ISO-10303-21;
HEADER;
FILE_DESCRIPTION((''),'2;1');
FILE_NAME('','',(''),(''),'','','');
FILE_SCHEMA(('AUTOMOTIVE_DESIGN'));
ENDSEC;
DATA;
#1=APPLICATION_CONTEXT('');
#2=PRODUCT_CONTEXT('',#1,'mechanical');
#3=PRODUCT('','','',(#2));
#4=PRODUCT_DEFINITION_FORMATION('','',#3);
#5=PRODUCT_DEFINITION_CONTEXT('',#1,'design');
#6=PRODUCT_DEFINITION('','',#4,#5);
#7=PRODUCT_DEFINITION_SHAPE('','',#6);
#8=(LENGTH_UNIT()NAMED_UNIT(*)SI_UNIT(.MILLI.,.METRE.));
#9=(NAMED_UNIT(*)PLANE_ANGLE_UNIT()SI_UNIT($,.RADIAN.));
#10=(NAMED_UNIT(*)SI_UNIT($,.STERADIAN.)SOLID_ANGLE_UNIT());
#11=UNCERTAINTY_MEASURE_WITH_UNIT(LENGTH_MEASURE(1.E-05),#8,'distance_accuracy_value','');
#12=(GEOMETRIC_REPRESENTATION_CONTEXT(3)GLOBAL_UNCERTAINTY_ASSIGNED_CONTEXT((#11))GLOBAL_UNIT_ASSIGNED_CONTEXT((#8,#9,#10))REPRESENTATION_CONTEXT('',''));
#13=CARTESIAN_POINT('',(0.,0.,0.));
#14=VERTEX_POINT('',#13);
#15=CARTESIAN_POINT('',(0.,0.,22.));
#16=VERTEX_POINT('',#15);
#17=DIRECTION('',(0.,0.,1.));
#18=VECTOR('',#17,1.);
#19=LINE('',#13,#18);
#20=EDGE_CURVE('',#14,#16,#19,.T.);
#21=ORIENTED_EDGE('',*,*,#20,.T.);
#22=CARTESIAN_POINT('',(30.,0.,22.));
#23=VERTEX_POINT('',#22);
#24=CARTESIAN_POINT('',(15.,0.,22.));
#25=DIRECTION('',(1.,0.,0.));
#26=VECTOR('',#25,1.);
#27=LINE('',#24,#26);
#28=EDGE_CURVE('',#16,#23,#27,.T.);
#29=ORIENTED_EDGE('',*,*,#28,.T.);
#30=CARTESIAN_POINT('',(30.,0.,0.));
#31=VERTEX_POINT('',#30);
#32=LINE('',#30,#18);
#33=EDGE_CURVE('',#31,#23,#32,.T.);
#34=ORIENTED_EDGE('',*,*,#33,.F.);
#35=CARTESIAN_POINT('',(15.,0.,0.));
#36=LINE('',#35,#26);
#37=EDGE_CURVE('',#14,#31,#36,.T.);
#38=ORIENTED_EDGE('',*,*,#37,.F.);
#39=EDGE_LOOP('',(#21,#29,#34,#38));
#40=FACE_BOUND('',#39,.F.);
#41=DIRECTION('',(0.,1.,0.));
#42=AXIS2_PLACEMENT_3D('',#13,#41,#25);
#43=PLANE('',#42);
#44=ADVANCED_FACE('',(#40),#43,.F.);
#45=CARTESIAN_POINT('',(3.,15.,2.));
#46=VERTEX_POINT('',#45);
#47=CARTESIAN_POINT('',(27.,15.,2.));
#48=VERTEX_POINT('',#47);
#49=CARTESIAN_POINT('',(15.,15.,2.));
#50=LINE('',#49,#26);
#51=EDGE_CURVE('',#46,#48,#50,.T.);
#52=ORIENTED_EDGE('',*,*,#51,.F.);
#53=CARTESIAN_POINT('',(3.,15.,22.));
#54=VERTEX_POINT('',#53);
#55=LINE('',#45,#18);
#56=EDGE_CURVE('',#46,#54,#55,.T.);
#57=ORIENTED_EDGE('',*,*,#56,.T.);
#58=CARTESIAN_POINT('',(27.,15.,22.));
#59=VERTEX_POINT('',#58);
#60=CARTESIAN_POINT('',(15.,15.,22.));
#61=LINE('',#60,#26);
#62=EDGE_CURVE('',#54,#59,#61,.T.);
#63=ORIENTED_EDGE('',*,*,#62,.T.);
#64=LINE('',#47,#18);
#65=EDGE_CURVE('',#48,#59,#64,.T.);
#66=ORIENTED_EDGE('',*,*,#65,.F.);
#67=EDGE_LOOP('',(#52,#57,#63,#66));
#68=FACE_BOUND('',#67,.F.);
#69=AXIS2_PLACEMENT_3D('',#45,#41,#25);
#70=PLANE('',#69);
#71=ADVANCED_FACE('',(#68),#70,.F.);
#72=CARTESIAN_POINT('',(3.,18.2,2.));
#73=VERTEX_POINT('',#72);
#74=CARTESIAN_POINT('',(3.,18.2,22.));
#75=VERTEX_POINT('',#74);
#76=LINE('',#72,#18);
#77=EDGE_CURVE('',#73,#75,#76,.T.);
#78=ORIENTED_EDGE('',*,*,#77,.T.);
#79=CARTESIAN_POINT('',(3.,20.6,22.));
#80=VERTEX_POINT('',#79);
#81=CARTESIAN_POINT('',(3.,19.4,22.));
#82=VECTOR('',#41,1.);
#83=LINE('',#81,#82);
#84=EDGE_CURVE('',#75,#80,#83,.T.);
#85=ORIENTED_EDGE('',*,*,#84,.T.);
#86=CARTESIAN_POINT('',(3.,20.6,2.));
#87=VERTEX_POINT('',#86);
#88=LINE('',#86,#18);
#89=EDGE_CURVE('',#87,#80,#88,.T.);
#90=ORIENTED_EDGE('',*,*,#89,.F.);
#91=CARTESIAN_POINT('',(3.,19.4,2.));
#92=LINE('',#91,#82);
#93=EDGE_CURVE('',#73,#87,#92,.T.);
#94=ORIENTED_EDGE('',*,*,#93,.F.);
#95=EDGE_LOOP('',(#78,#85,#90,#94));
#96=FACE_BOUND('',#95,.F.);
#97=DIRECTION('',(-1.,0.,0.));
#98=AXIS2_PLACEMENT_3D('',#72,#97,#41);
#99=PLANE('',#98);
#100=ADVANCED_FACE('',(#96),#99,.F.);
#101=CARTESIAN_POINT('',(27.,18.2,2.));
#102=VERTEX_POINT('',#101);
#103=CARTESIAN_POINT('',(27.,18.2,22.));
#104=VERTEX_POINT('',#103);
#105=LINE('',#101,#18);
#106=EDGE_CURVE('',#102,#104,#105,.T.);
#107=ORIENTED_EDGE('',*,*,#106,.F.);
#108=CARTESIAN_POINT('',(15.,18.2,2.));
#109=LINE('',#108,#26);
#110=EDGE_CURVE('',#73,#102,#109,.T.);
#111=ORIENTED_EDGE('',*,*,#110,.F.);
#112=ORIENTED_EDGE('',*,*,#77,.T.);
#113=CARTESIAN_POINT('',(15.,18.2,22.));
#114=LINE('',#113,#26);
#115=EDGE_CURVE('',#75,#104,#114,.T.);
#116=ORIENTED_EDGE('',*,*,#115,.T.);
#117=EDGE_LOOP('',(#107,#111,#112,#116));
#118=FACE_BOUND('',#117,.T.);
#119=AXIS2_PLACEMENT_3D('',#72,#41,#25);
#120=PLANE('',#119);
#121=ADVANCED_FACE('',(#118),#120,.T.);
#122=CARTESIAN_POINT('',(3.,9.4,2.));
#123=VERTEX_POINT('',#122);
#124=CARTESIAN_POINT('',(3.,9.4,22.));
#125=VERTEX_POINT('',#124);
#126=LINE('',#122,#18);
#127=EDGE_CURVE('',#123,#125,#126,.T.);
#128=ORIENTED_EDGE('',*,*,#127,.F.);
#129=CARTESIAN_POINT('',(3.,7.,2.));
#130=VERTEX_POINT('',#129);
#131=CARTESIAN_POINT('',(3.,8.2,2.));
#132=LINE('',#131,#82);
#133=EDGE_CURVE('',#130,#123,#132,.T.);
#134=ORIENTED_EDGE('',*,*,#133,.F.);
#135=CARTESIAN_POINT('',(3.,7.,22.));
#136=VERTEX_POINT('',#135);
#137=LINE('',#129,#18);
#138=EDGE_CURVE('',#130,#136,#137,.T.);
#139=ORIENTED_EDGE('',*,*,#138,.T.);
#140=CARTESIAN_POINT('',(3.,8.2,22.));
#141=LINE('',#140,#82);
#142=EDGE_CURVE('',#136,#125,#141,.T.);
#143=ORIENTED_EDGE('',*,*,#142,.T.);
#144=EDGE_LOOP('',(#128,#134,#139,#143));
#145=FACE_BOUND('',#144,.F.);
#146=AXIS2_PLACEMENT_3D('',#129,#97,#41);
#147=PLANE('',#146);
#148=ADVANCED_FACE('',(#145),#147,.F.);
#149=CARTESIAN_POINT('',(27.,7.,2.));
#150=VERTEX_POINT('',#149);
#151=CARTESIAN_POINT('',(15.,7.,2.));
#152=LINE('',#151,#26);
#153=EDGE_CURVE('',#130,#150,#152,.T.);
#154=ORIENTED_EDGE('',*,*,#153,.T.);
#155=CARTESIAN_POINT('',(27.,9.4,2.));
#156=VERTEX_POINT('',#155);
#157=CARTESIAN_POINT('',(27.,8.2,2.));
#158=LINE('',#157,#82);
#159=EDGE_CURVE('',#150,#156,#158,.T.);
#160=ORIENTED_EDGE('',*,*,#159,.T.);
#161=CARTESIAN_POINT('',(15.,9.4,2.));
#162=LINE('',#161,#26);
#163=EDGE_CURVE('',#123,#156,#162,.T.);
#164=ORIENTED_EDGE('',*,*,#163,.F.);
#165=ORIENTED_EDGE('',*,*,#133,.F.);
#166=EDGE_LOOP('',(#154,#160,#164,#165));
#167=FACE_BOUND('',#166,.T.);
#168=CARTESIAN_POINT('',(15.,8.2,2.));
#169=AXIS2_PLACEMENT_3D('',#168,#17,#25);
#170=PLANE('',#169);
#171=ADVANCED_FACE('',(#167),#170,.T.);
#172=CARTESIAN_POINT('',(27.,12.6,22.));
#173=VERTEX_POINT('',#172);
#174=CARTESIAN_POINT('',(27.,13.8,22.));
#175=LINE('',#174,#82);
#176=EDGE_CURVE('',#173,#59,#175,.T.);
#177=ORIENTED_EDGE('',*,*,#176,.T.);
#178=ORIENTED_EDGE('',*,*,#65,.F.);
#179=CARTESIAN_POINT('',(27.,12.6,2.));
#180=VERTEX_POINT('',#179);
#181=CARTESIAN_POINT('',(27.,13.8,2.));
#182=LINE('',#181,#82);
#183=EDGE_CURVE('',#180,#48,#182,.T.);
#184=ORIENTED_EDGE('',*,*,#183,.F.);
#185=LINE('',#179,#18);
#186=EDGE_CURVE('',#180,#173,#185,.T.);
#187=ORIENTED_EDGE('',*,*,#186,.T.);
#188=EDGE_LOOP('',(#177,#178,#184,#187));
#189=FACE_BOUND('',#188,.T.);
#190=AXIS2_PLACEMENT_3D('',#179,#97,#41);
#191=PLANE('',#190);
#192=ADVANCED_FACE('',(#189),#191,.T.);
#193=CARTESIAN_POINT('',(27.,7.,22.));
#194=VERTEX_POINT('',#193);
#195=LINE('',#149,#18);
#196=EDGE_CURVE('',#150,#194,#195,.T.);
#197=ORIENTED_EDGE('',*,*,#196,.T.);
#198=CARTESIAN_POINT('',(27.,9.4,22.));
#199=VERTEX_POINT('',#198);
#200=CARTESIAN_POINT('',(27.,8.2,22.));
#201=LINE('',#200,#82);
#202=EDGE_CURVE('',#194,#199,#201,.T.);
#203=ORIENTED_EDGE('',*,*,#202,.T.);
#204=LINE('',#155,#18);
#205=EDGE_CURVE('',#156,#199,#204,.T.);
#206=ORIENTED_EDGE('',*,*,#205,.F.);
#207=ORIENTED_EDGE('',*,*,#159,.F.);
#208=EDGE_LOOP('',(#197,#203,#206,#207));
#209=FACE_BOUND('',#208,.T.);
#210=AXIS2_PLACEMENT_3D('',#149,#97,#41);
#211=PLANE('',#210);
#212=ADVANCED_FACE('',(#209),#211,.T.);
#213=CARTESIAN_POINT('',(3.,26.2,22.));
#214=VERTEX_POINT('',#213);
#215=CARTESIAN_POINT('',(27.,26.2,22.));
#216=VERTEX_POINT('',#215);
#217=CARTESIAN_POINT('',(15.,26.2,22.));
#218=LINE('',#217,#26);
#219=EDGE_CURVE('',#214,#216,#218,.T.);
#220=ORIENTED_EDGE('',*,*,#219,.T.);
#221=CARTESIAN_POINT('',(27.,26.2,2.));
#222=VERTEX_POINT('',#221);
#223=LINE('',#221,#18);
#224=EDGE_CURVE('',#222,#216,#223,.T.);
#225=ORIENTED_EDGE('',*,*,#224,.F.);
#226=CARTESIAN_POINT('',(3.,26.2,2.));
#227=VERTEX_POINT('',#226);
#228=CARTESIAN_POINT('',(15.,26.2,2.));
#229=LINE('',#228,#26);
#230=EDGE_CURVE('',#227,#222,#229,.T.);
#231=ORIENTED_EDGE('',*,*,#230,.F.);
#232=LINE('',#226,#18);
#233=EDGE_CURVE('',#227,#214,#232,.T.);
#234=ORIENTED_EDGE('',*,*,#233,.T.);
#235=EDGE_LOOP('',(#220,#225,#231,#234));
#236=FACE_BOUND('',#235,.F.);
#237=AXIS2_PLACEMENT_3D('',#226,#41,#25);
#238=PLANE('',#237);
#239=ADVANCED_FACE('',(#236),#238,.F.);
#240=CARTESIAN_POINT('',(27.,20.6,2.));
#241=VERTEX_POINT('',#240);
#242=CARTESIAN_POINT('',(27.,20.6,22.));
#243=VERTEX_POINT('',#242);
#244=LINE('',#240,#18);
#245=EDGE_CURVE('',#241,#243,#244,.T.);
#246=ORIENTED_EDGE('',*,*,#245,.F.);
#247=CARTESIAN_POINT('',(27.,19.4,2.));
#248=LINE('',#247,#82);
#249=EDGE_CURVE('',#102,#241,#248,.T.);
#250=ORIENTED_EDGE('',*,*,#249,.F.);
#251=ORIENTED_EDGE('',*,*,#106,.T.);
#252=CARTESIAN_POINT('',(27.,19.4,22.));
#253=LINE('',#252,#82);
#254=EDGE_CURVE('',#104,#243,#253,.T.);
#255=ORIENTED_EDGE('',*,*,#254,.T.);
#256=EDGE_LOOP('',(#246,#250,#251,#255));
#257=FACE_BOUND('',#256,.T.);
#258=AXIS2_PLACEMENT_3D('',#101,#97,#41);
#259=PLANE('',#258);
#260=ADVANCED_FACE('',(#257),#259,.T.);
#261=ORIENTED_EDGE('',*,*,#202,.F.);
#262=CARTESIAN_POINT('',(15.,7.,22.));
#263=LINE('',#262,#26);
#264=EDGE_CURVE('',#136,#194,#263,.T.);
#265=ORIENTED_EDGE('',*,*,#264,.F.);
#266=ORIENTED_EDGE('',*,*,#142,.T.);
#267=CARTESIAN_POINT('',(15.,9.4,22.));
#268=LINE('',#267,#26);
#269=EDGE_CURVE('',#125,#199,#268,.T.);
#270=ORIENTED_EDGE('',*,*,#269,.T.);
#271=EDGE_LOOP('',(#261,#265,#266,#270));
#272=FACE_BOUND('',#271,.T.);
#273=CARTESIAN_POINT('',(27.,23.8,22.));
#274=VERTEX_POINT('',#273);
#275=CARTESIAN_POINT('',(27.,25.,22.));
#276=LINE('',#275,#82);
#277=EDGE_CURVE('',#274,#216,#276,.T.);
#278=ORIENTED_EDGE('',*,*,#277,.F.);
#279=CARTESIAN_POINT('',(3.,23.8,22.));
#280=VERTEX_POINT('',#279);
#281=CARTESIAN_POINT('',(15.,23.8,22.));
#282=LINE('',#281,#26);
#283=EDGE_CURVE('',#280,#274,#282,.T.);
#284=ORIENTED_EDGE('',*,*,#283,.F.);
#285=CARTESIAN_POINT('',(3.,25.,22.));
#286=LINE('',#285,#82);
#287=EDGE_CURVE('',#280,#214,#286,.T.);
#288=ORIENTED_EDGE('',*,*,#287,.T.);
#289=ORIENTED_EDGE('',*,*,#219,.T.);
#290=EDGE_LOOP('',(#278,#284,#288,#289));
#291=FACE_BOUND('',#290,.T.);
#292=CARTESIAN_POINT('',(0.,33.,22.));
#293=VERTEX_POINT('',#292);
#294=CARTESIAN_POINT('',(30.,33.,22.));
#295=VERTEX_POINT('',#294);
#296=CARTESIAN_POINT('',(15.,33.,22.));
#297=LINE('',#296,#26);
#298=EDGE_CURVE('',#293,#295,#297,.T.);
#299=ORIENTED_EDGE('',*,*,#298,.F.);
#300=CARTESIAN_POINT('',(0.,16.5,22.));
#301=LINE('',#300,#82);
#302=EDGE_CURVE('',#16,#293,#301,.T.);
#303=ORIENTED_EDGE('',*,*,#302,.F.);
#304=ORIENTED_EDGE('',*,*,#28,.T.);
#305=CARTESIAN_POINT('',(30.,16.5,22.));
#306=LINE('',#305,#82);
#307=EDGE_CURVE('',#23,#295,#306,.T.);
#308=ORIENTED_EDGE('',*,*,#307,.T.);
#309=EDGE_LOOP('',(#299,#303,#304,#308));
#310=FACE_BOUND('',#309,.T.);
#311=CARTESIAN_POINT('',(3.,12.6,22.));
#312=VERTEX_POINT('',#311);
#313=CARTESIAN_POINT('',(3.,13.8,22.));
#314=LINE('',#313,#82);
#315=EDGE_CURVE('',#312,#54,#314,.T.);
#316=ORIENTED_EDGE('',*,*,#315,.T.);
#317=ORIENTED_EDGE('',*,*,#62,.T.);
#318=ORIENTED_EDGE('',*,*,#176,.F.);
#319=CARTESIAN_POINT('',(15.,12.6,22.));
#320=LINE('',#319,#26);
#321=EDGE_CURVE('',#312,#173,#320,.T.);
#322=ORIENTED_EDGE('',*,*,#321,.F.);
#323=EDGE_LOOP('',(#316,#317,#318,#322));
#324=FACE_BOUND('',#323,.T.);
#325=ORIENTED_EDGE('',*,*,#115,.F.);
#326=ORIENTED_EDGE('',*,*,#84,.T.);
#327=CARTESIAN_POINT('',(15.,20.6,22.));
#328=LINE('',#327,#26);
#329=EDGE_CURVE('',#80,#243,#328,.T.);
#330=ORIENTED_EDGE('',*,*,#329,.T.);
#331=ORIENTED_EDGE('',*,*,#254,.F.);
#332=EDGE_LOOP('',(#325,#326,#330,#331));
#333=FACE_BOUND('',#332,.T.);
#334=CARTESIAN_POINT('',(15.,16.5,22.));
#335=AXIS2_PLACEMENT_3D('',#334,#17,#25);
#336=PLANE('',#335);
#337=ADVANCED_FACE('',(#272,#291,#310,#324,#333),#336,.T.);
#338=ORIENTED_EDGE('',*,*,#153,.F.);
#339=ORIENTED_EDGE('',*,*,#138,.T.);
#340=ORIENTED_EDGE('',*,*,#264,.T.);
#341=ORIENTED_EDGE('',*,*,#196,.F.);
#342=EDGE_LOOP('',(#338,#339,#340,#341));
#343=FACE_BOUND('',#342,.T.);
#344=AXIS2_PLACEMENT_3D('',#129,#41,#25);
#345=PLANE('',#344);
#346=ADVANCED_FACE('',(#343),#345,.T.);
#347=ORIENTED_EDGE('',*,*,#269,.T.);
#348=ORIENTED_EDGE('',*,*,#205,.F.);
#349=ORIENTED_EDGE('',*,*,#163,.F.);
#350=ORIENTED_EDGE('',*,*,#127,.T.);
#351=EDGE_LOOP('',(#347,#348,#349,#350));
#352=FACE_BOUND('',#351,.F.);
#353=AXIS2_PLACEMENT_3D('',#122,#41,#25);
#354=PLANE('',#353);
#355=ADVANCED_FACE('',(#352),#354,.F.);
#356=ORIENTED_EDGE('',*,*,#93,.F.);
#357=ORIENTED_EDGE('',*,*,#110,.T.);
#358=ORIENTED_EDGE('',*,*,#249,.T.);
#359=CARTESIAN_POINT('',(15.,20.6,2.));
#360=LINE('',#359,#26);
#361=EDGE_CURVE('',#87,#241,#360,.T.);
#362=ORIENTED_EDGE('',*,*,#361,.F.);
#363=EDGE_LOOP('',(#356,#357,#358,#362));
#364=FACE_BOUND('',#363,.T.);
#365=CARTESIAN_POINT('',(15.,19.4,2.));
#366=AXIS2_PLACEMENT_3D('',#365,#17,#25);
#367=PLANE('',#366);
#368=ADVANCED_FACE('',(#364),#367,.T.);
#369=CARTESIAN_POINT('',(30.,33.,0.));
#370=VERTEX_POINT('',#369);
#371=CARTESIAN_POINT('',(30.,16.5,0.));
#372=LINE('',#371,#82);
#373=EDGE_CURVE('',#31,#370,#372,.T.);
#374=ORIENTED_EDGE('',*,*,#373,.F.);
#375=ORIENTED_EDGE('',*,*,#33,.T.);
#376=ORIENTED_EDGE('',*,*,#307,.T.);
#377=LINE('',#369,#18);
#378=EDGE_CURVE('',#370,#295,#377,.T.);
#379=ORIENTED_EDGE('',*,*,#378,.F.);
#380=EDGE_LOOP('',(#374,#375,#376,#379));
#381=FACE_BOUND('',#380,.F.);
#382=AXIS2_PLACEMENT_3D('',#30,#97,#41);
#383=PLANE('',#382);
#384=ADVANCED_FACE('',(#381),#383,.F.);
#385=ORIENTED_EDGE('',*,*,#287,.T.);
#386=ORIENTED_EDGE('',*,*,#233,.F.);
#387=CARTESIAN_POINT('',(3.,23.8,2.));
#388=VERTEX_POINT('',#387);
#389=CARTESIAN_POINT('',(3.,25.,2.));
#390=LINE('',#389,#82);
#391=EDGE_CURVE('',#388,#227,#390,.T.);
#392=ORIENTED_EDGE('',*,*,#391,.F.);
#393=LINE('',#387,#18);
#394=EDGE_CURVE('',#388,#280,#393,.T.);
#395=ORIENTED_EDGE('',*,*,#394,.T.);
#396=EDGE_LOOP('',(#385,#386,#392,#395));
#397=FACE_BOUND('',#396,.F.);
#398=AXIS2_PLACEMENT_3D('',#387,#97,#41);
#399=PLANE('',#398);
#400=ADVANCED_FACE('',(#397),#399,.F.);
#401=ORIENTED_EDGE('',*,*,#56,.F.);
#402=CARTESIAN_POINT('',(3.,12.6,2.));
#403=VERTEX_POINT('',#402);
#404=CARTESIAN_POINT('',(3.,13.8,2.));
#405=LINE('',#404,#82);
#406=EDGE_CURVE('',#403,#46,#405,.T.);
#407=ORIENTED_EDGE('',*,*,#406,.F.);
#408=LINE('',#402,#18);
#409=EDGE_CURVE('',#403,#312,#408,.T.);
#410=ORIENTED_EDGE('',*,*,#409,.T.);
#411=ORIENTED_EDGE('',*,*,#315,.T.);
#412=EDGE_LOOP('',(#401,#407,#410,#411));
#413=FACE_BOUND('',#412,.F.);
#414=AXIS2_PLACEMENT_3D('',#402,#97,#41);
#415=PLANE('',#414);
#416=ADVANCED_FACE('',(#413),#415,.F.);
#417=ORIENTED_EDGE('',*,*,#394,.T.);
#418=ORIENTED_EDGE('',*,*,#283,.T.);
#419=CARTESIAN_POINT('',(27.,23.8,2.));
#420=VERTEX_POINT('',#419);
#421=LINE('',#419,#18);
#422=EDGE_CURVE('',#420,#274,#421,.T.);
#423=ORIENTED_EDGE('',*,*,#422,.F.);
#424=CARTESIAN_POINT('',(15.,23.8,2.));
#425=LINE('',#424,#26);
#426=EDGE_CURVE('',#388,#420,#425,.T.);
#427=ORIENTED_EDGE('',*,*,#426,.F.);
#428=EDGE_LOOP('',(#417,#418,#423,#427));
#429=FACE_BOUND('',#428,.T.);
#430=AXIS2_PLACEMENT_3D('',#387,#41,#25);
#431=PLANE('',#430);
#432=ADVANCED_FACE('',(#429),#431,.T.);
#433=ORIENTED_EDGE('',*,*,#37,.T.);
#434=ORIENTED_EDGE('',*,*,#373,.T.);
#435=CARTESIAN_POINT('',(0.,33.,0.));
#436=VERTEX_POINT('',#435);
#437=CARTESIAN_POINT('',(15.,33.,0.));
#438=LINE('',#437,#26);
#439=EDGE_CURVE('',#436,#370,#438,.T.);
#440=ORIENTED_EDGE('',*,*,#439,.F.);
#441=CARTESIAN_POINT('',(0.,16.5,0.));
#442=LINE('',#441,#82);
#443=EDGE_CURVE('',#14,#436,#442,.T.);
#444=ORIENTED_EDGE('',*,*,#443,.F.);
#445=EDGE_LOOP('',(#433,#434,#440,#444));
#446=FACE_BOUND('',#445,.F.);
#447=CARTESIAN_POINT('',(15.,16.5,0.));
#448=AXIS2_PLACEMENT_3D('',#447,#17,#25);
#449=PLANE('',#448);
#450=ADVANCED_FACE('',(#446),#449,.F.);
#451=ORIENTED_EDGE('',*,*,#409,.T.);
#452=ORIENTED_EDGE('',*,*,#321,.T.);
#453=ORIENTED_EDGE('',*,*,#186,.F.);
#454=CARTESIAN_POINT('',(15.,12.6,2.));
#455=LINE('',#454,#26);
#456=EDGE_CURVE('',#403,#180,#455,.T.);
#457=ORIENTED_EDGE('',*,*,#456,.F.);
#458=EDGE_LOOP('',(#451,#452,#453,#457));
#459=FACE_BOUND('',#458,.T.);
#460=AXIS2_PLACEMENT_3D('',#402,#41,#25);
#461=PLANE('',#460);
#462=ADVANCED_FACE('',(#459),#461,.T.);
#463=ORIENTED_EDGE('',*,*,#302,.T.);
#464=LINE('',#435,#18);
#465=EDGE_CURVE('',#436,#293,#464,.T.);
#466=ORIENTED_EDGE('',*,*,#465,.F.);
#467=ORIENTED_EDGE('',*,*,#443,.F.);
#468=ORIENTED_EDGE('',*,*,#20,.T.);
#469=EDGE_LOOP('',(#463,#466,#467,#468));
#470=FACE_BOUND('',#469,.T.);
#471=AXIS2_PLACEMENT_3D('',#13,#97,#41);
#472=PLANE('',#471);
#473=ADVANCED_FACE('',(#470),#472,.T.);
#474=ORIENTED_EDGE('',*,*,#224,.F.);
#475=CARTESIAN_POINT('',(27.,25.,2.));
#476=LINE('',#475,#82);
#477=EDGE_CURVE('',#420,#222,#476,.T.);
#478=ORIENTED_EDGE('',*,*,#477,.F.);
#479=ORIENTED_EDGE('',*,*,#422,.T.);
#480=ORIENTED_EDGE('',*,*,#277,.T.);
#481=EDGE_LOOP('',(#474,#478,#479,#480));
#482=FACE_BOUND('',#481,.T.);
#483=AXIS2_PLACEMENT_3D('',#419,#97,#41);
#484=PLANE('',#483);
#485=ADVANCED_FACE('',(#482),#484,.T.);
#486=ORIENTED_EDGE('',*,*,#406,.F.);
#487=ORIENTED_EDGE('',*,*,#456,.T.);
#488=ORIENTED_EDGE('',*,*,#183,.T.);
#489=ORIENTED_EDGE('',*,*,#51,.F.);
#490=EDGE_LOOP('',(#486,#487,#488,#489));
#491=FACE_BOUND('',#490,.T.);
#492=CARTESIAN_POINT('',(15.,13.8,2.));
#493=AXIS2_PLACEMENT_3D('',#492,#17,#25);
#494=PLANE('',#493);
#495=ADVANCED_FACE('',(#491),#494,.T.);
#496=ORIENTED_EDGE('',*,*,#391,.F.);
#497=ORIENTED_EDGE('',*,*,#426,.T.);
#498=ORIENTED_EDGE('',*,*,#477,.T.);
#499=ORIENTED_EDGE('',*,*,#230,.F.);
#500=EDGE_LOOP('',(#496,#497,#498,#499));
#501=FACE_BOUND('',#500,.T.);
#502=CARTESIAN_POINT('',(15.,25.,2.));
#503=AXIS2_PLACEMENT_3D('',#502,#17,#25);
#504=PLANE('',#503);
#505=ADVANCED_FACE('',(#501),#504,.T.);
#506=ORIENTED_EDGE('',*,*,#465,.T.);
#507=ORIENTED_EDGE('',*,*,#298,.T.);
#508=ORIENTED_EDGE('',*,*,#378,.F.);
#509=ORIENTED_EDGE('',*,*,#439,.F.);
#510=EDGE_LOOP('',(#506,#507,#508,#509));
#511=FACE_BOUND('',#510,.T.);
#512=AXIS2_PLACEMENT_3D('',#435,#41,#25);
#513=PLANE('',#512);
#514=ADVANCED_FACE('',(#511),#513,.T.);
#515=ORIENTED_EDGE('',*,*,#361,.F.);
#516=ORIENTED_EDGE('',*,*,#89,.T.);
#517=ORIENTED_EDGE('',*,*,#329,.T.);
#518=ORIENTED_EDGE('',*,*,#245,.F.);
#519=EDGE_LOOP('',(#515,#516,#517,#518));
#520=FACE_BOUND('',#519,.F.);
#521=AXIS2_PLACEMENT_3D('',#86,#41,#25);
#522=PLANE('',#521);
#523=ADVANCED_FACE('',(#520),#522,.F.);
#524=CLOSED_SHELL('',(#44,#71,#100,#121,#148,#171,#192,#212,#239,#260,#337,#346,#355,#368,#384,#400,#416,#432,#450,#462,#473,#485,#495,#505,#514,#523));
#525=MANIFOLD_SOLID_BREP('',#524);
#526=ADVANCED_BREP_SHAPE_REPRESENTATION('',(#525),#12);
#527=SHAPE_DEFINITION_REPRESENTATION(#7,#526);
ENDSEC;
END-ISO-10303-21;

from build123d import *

# Parameters (mm, degrees)
BOX002_W     = 24
BOX002_H     = 2.4
BOX002_DEPTH = 20
BOX003_W     = 24
BOX003_H     = 2.4
BOX003_DEPTH = 20
BOX004_W     = 24
BOX004_H     = 2.4
BOX004_DEPTH = 20
BOX001_W     = 24
BOX001_H     = 2.4
BOX001_DEPTH = 20
BOX_W        = 30
BOX_H        = 33
BOX_DEPTH    = 22


with BuildPart() as box002:
    # Box002 → Box002 (new body)
    with BuildSketch(Plane(origin=(0, 5.6, 0), x_dir=(1, 0, 0), z_dir=(0, 0, 1))):
        with Locations((12, 1.2)):
            Rectangle(BOX002_W, BOX002_H)
    extrude(amount=BOX002_DEPTH)


with BuildPart() as box003:
    # Box003 → Box003 (new body)
    with BuildSketch(Plane(origin=(0, 11.2, 0), x_dir=(1, 0, 0), z_dir=(0, 0, 1))):
        with Locations((12, 1.2)):
            Rectangle(BOX003_W, BOX003_H)
    extrude(amount=BOX003_DEPTH)


with BuildPart() as box004:
    # Box004 → Box004 (new body)
    with BuildSketch(Plane(origin=(0, 16.8, 0), x_dir=(1, 0, 0), z_dir=(0, 0, 1))):
        with Locations((12, 1.2)):
            Rectangle(BOX004_W, BOX004_H)
    extrude(amount=BOX004_DEPTH)


with BuildPart() as ranuras:
    # Box001 → Box001 (new body)
    with BuildSketch(Plane.XY):
        with Locations((12, 1.2)):
            Rectangle(BOX001_W, BOX001_H)
    extrude(amount=BOX001_DEPTH)

    # Fusion: union Box002, Box003, Box004
    add(box002.part)
    add(box003.part)
    add(box004.part)


with BuildPart() as ranuras_1:
    # Fusion placement: moved
    add(ranuras.part.moved(Location((3, 7, 2))))


with BuildPart() as porta_sd:
    # Box → Box (new body)
    with BuildSketch(Plane.XY):
        with Locations((15, 16.5)):
            Rectangle(BOX_W, BOX_H)
    extrude(amount=BOX_DEPTH)

    # Cut: cut Ranuras
    add(ranuras_1.part, mode=Mode.SUBTRACT)


solid = porta_sd.part
